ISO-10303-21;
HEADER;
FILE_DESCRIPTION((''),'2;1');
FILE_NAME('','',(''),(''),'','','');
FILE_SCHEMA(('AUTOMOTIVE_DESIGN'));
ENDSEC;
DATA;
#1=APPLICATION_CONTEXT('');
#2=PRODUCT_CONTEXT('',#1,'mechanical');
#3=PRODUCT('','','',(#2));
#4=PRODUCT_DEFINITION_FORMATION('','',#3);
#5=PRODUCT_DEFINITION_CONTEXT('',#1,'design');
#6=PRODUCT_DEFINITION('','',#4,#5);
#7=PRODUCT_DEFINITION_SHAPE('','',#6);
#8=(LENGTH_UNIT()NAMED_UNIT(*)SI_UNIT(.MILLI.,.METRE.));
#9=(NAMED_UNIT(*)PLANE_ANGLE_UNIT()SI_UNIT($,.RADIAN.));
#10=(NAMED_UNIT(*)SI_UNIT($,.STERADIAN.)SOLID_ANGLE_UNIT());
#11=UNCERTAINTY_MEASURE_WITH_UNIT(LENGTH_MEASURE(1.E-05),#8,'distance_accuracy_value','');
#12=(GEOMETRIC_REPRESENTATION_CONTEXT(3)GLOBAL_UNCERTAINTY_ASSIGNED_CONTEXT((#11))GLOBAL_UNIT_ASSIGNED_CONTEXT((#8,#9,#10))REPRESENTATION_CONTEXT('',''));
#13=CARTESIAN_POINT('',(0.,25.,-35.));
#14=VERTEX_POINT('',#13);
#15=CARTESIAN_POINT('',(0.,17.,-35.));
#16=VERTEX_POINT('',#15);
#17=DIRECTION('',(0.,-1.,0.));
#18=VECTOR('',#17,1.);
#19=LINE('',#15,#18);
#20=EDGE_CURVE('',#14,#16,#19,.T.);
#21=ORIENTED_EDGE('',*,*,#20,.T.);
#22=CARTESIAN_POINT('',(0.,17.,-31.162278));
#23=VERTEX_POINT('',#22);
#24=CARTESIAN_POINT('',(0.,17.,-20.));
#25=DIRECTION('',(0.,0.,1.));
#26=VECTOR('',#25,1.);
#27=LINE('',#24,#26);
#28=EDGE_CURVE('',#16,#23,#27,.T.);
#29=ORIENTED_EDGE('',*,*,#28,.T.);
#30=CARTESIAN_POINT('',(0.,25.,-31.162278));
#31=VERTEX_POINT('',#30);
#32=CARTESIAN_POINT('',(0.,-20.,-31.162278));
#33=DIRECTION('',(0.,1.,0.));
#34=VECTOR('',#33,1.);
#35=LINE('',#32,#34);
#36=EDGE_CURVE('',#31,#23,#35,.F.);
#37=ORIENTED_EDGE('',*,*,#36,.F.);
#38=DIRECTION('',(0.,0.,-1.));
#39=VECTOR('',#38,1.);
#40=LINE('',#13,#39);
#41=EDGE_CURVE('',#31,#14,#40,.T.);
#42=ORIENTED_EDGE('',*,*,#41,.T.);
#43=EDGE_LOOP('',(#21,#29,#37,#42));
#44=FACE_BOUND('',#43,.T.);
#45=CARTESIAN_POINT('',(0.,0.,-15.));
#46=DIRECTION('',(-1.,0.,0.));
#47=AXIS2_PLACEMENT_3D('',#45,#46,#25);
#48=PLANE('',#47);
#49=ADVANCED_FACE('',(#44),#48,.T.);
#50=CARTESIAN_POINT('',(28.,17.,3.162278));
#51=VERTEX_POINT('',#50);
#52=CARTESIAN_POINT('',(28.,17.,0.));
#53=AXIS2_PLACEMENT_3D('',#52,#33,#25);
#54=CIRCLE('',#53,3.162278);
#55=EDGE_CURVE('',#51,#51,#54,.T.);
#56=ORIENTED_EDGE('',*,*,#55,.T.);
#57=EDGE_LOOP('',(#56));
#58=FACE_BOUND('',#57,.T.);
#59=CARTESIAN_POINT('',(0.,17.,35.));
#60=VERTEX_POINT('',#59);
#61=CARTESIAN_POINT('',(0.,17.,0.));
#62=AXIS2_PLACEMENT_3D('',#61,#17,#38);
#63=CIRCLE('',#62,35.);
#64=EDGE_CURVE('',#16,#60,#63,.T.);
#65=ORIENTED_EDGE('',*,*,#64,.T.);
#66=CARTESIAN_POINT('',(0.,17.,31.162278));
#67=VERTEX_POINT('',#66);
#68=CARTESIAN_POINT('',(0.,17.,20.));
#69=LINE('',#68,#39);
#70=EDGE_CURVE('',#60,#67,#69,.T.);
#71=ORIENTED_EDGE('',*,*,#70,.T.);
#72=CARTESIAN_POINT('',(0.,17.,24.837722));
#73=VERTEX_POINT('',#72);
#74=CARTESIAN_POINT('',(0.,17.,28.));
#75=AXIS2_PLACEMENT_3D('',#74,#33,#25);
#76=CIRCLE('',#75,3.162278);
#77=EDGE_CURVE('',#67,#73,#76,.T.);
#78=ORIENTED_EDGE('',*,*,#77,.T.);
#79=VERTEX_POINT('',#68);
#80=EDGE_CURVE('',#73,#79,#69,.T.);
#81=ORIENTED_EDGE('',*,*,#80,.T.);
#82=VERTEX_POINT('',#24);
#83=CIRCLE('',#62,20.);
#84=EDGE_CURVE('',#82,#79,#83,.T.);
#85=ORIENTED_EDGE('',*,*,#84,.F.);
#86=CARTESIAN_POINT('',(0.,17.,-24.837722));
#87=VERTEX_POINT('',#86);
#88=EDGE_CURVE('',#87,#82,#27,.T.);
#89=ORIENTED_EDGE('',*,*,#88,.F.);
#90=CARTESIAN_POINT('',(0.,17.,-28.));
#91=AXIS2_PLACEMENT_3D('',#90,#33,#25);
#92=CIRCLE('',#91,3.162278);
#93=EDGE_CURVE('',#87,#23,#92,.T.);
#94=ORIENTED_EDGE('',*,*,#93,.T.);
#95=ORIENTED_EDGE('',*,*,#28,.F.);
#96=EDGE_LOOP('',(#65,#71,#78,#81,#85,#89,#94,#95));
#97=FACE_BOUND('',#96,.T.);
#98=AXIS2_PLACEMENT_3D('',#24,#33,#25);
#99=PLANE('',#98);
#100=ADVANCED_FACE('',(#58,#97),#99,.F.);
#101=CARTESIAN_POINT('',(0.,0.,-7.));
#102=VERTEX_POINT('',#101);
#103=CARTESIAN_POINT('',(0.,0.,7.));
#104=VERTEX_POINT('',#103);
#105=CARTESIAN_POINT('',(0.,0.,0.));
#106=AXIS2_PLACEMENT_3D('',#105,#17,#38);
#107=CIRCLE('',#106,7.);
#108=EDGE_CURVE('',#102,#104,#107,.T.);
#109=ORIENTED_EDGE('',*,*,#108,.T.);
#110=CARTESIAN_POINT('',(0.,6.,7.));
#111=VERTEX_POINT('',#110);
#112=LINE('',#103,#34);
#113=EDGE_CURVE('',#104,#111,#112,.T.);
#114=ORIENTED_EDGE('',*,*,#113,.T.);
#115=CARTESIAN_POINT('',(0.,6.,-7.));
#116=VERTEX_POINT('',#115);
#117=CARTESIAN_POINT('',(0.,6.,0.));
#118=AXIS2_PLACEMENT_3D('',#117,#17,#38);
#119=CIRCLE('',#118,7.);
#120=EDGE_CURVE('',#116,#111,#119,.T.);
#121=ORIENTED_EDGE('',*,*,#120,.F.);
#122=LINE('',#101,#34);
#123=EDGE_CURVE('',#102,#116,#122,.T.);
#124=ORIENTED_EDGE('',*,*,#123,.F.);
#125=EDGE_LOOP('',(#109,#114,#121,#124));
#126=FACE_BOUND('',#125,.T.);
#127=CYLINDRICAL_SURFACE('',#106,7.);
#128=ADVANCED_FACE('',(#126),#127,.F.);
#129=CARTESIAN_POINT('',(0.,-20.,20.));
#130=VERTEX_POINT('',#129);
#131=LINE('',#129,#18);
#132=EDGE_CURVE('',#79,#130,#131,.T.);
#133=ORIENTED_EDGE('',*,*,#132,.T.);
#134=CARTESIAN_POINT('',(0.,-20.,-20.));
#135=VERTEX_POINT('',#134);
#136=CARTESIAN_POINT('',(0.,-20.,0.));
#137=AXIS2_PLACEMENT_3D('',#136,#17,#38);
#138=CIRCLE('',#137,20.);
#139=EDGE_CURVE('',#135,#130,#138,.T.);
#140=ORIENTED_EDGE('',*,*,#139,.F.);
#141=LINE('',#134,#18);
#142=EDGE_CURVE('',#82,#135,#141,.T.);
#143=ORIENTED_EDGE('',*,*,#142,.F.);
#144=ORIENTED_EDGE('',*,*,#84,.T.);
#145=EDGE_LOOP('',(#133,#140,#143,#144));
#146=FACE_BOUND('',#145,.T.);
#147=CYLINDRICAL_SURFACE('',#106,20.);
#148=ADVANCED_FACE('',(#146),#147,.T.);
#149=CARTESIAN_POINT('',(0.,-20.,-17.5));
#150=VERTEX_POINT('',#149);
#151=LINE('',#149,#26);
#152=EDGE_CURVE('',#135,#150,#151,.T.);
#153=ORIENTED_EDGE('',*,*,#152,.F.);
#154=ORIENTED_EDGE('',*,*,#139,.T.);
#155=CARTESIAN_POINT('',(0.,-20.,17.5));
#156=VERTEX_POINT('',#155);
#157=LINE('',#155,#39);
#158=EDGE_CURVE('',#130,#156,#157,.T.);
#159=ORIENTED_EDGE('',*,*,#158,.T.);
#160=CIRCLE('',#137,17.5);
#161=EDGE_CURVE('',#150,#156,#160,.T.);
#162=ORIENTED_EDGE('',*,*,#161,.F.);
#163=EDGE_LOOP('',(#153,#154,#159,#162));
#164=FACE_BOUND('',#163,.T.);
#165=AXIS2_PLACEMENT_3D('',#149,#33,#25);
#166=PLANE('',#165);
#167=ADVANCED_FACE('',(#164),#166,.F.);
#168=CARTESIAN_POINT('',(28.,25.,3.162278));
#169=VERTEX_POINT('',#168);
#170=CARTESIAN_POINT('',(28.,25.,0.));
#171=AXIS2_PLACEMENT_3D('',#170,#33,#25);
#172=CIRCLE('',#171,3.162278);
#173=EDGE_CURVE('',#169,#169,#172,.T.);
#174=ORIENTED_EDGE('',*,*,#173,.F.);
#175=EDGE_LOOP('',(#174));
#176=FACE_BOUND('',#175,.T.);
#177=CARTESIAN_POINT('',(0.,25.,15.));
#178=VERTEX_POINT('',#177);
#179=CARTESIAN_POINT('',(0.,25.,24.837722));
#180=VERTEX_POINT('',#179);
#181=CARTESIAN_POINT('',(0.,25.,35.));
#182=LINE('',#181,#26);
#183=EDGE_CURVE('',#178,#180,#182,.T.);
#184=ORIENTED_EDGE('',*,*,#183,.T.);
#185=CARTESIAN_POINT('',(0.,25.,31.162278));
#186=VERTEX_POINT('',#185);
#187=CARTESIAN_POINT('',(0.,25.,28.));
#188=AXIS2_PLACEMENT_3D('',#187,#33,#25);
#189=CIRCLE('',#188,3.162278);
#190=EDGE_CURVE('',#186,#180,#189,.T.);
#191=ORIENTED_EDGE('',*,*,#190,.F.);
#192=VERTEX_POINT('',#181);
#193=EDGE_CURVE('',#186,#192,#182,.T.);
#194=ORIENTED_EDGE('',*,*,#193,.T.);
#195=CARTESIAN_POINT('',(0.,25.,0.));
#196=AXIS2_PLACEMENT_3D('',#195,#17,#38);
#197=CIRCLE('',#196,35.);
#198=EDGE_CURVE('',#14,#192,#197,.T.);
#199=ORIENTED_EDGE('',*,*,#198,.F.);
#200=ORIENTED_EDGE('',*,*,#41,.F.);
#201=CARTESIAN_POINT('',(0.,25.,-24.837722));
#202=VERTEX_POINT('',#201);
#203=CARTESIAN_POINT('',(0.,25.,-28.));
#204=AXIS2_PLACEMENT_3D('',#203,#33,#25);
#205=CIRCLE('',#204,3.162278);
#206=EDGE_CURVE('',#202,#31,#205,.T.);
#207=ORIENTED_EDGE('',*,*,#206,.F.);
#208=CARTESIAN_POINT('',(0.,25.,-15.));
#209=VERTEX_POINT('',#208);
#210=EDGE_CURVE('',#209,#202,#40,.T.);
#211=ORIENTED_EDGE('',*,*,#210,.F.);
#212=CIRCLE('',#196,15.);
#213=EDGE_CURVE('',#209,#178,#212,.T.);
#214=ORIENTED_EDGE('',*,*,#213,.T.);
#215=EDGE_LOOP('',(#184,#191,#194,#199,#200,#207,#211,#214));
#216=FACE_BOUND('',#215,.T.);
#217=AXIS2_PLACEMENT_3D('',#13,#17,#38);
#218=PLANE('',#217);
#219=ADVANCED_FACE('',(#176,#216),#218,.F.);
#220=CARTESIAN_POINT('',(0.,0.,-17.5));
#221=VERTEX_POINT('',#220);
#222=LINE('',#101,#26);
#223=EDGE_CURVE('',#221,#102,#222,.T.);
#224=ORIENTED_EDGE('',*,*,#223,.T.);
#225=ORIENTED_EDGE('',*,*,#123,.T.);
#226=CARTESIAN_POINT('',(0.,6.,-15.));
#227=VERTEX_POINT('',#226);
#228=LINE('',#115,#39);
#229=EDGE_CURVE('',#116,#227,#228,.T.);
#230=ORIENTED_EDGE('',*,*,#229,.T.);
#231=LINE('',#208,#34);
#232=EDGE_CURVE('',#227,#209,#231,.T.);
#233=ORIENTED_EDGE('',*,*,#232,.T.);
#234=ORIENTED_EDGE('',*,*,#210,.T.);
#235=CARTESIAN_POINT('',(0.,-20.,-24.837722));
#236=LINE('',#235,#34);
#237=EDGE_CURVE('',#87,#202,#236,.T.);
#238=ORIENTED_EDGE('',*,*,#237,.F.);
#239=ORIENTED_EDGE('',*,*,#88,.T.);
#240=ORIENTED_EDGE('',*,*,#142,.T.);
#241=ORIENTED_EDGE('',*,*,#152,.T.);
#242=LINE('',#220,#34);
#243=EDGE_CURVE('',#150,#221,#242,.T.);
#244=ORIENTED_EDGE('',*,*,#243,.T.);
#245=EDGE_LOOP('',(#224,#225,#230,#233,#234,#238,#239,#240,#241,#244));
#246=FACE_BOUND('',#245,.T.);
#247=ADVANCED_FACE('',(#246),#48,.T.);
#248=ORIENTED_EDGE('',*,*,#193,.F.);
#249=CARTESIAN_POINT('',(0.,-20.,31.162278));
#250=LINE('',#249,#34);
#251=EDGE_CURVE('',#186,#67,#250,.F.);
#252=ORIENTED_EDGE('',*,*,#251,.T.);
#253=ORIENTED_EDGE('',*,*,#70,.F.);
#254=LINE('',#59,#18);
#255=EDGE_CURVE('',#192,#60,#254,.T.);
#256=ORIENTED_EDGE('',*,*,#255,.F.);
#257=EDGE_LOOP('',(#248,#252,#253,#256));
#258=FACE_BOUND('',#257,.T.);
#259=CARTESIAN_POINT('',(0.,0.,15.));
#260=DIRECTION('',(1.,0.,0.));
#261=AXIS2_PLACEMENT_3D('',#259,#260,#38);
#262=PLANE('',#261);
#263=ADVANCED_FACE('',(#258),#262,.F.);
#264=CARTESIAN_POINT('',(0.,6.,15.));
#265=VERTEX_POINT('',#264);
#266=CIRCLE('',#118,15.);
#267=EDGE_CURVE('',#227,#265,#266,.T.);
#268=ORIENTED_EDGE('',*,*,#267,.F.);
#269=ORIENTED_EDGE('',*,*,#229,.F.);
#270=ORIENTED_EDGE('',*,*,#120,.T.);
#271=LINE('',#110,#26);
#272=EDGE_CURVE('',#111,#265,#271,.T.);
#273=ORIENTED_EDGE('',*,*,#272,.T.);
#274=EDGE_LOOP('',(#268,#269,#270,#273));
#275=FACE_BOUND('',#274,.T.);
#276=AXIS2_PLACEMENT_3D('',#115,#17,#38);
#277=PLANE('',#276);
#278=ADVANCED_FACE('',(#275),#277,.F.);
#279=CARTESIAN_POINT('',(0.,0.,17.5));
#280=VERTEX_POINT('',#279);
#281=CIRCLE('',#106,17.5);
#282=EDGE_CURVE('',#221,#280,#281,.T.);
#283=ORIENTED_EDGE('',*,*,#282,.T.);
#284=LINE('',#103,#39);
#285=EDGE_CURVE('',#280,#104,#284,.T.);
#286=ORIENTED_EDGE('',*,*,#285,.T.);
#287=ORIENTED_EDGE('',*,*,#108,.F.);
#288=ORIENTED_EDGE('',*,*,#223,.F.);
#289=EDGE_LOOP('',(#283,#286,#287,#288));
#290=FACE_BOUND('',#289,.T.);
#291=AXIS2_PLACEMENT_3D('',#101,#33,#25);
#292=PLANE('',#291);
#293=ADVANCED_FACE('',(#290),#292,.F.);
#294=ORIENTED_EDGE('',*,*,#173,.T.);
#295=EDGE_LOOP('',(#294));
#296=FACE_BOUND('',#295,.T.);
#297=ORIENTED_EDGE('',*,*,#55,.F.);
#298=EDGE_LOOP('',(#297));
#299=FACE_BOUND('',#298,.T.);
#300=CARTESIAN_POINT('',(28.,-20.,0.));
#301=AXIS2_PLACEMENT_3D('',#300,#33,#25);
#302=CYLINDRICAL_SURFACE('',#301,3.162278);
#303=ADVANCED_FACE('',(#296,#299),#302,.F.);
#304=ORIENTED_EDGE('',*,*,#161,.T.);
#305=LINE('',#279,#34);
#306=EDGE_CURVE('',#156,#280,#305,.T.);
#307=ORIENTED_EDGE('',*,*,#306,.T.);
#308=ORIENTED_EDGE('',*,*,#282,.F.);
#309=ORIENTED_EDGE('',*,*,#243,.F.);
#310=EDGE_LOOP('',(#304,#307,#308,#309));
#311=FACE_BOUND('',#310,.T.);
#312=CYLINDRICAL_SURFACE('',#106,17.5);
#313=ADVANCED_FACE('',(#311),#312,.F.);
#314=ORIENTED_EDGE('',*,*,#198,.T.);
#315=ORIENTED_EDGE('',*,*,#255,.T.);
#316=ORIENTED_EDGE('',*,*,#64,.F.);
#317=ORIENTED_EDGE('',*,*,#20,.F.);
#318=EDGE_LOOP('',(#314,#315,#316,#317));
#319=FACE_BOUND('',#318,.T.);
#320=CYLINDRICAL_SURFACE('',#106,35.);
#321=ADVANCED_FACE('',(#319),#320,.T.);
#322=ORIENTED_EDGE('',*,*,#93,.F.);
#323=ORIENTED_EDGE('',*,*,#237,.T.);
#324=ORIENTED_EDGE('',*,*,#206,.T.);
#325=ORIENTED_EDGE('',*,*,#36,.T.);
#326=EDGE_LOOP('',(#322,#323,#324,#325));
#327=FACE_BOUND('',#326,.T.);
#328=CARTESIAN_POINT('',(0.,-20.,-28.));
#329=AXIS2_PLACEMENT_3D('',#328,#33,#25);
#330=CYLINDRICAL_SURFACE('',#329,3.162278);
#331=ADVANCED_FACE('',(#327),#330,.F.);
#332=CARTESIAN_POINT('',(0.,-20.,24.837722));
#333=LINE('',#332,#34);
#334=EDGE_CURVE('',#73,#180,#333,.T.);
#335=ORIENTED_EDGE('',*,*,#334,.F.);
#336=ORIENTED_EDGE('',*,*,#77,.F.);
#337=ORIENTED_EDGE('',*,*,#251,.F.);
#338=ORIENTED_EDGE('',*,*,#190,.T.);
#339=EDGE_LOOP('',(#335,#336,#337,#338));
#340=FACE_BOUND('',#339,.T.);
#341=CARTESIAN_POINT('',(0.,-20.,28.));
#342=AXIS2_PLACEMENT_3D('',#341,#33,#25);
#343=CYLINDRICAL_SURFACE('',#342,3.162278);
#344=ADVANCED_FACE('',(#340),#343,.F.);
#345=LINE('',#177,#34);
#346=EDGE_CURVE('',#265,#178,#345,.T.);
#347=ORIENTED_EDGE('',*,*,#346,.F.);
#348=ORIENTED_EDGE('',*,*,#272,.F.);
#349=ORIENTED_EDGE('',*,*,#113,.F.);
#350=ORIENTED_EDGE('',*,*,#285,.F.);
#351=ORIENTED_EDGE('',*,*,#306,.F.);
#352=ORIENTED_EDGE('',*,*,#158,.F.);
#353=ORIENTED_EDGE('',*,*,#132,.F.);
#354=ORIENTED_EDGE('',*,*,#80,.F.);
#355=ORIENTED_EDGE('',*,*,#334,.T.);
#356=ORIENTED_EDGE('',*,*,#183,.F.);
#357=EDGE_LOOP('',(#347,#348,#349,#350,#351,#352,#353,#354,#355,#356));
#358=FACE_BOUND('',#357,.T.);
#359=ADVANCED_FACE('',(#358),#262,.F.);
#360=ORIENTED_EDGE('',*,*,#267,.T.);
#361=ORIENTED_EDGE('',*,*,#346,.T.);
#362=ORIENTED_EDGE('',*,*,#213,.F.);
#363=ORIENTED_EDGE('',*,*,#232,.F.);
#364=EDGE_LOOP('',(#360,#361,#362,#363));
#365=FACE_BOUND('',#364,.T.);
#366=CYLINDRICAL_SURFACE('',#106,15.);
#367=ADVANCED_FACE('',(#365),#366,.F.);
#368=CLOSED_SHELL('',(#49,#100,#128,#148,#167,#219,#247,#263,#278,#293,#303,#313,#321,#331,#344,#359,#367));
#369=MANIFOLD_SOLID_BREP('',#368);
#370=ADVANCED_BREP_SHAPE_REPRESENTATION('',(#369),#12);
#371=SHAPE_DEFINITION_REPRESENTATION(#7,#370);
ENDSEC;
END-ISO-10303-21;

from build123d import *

# Parameters (mm, degrees)
BASE_R_VOLUTION_ANGLE   = 180
ESQUISSE2_R             = 3.16227766
ENL_V_MAT_EXTRU_1_DEPTH = 67.895440801


with BuildPart() as part:
    # Esquisse1 → Base-Révolution (revolve)
    with BuildSketch(Plane(origin=(0, 0, 0), x_dir=(0, 0, -1), z_dir=(1, 0, 0))):
        Polygon((-7, 0), (-7, 6), (-15, 6), (-15, 25), (-35, 25), (-35, 17), (-20, 17), (-20, -20), (-17.5, -20), (-17.5, 0), align=None)
    revolve(axis=Axis((0, 0, 0), (0, 1, 0)), revolution_arc=BASE_R_VOLUTION_ANGLE)

    # Esquisse2 → Enlèv. mat.-Extru.1 (cut, through all)
    with BuildSketch(Plane(origin=(0, 25, 0), x_dir=(-1, 0, 0), z_dir=(0, 1, 0))):
        with Locations((0, -28)):
            Circle(ESQUISSE2_R)
        with Locations((0, 28)):
            Circle(ESQUISSE2_R)
        with Locations(Location((-28, 0, 0), (0, 0, 90))):
            Circle(ESQUISSE2_R)
    extrude(amount=-ENL_V_MAT_EXTRU_1_DEPTH, mode=Mode.SUBTRACT)


solid = part.part
